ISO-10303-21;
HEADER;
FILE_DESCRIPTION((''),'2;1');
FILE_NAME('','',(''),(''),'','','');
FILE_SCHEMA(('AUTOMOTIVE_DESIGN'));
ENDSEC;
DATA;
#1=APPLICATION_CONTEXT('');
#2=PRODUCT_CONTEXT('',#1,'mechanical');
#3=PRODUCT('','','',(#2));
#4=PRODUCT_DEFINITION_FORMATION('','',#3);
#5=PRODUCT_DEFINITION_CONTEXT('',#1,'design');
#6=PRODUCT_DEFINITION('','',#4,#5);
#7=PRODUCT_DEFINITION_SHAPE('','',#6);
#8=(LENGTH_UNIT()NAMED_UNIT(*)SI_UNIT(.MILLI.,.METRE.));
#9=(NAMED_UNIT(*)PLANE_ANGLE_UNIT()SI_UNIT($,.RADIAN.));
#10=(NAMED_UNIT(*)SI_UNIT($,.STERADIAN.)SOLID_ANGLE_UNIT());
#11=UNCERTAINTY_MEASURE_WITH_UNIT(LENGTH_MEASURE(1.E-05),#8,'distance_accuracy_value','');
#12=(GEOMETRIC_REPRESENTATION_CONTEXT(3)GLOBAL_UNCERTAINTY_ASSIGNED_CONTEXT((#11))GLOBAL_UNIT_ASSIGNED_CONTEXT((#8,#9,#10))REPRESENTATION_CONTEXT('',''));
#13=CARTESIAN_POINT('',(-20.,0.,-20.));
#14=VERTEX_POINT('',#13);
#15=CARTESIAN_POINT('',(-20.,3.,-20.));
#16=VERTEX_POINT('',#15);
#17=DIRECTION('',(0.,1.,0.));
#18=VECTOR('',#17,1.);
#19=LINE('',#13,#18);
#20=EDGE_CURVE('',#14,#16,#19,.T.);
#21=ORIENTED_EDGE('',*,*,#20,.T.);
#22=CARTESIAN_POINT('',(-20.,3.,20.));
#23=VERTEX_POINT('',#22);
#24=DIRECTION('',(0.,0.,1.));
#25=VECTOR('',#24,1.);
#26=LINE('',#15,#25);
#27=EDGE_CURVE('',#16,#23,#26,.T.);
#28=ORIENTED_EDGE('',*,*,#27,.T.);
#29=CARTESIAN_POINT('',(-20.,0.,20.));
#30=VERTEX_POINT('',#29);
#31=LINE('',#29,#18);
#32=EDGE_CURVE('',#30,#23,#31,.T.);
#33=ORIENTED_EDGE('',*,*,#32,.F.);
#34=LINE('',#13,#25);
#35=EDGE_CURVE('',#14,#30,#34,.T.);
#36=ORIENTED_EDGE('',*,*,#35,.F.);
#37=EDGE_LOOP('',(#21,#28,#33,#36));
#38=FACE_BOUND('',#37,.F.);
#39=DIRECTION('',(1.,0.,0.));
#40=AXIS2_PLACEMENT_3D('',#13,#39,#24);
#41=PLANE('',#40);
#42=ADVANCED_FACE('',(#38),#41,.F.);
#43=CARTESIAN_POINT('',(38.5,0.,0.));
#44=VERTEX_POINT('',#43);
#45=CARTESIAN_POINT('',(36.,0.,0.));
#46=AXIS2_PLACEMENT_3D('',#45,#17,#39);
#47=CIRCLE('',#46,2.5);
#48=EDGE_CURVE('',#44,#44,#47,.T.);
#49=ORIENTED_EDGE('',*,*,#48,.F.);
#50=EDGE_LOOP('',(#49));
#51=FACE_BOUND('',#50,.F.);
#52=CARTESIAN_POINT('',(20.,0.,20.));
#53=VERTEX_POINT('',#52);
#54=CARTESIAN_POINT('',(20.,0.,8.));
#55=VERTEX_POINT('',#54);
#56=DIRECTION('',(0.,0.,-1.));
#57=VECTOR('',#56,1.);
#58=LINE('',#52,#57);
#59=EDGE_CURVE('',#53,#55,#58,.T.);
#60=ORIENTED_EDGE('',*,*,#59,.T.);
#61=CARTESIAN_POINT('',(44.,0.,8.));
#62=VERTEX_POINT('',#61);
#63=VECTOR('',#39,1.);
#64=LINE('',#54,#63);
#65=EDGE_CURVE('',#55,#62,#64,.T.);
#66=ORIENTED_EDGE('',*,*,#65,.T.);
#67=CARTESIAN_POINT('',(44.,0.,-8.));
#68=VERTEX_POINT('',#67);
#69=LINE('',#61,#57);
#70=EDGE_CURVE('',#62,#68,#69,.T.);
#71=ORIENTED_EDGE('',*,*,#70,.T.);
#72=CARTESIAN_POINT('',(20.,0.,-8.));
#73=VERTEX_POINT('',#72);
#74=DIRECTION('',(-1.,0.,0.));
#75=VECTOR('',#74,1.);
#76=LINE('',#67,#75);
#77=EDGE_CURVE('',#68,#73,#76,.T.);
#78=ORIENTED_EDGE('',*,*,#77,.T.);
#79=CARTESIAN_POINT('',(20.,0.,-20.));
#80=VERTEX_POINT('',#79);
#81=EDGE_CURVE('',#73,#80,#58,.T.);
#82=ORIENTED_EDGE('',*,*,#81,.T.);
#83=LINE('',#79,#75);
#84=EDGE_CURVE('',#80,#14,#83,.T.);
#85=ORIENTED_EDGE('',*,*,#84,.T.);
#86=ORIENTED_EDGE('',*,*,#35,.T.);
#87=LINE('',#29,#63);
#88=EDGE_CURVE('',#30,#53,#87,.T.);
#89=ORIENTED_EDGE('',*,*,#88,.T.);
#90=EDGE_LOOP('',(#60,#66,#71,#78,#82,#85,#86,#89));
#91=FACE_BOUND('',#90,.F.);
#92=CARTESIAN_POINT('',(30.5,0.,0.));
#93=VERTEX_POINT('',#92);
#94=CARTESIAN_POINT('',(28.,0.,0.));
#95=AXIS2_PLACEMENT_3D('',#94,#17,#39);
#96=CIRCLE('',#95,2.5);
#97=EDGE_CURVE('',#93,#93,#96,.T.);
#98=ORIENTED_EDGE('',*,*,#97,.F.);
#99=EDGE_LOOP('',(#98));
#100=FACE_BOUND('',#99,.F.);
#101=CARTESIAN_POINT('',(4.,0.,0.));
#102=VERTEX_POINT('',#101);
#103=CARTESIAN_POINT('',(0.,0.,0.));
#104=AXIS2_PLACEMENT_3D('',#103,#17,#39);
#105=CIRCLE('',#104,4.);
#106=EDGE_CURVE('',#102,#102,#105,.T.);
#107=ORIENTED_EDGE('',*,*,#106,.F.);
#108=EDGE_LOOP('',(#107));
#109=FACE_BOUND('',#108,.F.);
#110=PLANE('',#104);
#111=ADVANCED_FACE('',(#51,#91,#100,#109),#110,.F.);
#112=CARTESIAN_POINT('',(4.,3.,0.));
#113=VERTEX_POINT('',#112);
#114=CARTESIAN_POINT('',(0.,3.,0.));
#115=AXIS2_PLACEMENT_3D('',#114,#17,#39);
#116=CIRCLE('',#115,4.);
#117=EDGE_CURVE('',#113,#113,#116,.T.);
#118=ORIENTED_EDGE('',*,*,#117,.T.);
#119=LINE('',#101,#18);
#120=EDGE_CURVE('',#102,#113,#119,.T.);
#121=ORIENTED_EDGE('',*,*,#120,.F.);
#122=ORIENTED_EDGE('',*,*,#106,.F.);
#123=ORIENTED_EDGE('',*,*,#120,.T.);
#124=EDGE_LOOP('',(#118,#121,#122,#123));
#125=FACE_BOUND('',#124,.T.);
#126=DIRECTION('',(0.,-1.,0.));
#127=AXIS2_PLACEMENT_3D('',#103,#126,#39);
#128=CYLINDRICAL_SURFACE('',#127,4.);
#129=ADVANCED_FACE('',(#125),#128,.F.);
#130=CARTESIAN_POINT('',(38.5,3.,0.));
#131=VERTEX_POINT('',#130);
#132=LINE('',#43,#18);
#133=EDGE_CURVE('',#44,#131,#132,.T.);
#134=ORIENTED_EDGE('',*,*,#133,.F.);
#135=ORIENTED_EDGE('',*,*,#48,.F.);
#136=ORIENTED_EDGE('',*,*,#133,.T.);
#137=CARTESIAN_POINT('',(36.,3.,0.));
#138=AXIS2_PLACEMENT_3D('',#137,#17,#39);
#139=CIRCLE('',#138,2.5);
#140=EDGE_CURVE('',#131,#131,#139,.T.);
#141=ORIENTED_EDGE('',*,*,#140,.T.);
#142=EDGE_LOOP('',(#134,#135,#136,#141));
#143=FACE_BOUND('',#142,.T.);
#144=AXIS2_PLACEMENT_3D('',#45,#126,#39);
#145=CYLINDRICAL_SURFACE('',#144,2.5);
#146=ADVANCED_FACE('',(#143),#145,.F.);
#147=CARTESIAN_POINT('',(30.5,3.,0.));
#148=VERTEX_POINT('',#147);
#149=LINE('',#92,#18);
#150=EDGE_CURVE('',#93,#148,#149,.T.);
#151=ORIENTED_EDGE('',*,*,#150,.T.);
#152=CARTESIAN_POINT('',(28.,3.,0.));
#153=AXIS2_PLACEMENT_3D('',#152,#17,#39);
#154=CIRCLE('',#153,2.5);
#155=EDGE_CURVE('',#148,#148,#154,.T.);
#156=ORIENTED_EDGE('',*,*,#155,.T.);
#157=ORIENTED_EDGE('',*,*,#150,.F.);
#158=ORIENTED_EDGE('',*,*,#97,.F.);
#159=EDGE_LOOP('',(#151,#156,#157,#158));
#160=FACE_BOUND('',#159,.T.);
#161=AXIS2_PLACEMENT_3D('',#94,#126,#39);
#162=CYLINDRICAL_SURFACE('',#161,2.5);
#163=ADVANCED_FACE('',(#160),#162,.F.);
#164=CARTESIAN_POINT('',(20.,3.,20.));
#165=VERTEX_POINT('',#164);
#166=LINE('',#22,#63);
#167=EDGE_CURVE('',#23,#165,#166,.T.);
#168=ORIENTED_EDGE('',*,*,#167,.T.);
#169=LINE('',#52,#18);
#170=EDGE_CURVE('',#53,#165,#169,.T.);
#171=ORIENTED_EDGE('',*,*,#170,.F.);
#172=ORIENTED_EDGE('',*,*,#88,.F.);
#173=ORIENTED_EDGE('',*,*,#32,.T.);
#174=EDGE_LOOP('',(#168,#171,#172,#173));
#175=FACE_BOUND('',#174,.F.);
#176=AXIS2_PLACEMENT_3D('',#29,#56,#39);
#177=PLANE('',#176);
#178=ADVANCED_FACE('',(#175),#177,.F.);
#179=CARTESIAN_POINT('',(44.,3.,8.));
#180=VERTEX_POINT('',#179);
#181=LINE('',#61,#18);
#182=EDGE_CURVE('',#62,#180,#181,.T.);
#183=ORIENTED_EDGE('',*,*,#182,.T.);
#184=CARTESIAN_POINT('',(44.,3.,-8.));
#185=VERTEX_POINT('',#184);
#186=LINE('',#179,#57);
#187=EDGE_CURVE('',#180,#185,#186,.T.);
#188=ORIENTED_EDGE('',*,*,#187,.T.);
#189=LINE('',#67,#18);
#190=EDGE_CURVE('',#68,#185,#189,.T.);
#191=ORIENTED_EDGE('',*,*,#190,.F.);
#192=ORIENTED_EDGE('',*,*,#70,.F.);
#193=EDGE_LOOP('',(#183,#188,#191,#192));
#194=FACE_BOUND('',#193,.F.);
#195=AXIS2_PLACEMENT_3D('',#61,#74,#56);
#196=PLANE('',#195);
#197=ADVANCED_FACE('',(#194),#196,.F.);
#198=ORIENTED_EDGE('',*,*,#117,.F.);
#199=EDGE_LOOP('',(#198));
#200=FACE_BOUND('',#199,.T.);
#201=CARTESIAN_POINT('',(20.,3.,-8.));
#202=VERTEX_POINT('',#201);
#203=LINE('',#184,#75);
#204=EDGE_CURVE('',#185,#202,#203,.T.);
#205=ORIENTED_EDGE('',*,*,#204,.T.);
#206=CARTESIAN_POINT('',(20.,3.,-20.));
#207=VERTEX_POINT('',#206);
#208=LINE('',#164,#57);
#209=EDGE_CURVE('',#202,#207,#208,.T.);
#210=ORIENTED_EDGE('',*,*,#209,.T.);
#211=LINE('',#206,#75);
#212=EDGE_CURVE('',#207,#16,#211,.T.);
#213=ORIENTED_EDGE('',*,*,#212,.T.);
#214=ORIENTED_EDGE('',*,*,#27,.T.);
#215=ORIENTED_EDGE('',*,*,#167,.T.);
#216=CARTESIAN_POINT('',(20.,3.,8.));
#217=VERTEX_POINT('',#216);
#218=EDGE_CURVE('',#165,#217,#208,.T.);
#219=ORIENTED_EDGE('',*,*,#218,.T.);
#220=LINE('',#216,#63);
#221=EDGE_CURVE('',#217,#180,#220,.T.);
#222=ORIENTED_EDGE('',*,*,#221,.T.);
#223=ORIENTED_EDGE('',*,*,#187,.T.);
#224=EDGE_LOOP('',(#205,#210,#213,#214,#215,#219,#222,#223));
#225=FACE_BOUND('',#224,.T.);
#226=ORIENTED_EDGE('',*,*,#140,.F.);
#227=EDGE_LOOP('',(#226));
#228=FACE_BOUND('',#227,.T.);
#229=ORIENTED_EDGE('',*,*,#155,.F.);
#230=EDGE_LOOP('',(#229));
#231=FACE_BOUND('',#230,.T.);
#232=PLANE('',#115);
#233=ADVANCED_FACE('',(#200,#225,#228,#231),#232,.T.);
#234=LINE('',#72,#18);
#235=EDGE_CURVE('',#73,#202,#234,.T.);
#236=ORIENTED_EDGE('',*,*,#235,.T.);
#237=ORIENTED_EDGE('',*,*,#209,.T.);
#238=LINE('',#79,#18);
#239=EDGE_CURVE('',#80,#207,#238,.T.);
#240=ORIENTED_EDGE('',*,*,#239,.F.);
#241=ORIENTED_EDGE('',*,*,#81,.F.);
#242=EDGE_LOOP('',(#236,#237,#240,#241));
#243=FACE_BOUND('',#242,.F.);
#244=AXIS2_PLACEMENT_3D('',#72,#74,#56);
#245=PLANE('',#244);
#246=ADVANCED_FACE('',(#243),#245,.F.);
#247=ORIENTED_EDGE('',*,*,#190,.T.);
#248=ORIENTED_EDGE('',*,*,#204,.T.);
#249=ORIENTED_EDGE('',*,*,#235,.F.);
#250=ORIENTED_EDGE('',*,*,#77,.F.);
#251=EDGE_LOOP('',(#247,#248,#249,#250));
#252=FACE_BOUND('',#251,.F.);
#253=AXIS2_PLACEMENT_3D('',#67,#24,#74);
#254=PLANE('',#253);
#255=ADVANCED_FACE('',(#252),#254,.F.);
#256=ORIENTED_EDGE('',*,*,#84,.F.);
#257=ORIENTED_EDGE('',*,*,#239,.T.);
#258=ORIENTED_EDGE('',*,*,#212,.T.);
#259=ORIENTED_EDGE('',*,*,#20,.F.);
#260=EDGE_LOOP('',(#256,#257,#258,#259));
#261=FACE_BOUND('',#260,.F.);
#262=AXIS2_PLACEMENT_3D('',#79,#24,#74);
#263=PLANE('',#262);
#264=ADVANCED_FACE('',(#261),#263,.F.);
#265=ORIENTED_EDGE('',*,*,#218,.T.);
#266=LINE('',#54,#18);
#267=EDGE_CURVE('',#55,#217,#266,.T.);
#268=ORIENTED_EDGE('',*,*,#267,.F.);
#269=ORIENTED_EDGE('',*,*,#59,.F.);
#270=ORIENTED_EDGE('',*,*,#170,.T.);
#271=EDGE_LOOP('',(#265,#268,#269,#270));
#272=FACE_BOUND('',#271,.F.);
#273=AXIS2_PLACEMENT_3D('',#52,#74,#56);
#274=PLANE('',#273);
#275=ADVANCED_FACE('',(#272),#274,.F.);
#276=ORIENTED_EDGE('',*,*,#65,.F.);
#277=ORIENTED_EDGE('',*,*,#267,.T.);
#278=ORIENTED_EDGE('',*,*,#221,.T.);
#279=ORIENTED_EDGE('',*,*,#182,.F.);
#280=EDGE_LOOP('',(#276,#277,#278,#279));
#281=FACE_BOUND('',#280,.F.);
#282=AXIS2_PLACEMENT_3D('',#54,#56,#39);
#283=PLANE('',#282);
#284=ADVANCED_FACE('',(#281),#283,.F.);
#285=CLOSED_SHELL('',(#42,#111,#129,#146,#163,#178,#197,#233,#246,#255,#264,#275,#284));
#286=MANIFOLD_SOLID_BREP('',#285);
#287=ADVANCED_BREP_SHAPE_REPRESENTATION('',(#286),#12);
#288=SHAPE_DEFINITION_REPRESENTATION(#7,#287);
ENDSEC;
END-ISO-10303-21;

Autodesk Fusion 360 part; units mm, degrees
sketch "Sketch1" plane through (0, 0, 0) normal (0, 1, 0) x (1, 0, 0)
  line L0 (20, 20) -> (-20, 20)
  line L1 (-20, 20) -> (-20, -20)
  line L2 (-20, -20) -> (20, -20)
  line L3 (20, -20) -> (20, 20)
  line L4 (20, 20) -> (-20, -20) construction
  line L5 (-20, 20) -> (20, -20) construction
  circle A0 centre (0, 0) radius 4
  circle A1 centre (28, 0) radius 2.5
  circle A2 centre (36, 0) radius 2.5
  line L6 (44, 8) -> (20, 8)
  line L7 (20, 8) -> (20, -8)
  line L8 (20, -8) -> (44, -8)
  line L9 (44, -8) -> (44, 8)
  line L10 (44, 8) -> (20, -8) construction
  line L11 (20, 8) -> (44, -8) construction
  point P0 (32, 0)
  dimension "d1" = 40
  dimension "d2" = 40
  dimension "d3" = 8
  dimension "d4" = 5
  dimension "d5" = 5
  dimension "d6" = 8
  dimension "d7" = 8
  dimension "d8" = 24
  dimension "d9" = 16
  dimension "d10" = 12
extrude "Extrude1" add sketch "Sketch1" along normal blind 3
